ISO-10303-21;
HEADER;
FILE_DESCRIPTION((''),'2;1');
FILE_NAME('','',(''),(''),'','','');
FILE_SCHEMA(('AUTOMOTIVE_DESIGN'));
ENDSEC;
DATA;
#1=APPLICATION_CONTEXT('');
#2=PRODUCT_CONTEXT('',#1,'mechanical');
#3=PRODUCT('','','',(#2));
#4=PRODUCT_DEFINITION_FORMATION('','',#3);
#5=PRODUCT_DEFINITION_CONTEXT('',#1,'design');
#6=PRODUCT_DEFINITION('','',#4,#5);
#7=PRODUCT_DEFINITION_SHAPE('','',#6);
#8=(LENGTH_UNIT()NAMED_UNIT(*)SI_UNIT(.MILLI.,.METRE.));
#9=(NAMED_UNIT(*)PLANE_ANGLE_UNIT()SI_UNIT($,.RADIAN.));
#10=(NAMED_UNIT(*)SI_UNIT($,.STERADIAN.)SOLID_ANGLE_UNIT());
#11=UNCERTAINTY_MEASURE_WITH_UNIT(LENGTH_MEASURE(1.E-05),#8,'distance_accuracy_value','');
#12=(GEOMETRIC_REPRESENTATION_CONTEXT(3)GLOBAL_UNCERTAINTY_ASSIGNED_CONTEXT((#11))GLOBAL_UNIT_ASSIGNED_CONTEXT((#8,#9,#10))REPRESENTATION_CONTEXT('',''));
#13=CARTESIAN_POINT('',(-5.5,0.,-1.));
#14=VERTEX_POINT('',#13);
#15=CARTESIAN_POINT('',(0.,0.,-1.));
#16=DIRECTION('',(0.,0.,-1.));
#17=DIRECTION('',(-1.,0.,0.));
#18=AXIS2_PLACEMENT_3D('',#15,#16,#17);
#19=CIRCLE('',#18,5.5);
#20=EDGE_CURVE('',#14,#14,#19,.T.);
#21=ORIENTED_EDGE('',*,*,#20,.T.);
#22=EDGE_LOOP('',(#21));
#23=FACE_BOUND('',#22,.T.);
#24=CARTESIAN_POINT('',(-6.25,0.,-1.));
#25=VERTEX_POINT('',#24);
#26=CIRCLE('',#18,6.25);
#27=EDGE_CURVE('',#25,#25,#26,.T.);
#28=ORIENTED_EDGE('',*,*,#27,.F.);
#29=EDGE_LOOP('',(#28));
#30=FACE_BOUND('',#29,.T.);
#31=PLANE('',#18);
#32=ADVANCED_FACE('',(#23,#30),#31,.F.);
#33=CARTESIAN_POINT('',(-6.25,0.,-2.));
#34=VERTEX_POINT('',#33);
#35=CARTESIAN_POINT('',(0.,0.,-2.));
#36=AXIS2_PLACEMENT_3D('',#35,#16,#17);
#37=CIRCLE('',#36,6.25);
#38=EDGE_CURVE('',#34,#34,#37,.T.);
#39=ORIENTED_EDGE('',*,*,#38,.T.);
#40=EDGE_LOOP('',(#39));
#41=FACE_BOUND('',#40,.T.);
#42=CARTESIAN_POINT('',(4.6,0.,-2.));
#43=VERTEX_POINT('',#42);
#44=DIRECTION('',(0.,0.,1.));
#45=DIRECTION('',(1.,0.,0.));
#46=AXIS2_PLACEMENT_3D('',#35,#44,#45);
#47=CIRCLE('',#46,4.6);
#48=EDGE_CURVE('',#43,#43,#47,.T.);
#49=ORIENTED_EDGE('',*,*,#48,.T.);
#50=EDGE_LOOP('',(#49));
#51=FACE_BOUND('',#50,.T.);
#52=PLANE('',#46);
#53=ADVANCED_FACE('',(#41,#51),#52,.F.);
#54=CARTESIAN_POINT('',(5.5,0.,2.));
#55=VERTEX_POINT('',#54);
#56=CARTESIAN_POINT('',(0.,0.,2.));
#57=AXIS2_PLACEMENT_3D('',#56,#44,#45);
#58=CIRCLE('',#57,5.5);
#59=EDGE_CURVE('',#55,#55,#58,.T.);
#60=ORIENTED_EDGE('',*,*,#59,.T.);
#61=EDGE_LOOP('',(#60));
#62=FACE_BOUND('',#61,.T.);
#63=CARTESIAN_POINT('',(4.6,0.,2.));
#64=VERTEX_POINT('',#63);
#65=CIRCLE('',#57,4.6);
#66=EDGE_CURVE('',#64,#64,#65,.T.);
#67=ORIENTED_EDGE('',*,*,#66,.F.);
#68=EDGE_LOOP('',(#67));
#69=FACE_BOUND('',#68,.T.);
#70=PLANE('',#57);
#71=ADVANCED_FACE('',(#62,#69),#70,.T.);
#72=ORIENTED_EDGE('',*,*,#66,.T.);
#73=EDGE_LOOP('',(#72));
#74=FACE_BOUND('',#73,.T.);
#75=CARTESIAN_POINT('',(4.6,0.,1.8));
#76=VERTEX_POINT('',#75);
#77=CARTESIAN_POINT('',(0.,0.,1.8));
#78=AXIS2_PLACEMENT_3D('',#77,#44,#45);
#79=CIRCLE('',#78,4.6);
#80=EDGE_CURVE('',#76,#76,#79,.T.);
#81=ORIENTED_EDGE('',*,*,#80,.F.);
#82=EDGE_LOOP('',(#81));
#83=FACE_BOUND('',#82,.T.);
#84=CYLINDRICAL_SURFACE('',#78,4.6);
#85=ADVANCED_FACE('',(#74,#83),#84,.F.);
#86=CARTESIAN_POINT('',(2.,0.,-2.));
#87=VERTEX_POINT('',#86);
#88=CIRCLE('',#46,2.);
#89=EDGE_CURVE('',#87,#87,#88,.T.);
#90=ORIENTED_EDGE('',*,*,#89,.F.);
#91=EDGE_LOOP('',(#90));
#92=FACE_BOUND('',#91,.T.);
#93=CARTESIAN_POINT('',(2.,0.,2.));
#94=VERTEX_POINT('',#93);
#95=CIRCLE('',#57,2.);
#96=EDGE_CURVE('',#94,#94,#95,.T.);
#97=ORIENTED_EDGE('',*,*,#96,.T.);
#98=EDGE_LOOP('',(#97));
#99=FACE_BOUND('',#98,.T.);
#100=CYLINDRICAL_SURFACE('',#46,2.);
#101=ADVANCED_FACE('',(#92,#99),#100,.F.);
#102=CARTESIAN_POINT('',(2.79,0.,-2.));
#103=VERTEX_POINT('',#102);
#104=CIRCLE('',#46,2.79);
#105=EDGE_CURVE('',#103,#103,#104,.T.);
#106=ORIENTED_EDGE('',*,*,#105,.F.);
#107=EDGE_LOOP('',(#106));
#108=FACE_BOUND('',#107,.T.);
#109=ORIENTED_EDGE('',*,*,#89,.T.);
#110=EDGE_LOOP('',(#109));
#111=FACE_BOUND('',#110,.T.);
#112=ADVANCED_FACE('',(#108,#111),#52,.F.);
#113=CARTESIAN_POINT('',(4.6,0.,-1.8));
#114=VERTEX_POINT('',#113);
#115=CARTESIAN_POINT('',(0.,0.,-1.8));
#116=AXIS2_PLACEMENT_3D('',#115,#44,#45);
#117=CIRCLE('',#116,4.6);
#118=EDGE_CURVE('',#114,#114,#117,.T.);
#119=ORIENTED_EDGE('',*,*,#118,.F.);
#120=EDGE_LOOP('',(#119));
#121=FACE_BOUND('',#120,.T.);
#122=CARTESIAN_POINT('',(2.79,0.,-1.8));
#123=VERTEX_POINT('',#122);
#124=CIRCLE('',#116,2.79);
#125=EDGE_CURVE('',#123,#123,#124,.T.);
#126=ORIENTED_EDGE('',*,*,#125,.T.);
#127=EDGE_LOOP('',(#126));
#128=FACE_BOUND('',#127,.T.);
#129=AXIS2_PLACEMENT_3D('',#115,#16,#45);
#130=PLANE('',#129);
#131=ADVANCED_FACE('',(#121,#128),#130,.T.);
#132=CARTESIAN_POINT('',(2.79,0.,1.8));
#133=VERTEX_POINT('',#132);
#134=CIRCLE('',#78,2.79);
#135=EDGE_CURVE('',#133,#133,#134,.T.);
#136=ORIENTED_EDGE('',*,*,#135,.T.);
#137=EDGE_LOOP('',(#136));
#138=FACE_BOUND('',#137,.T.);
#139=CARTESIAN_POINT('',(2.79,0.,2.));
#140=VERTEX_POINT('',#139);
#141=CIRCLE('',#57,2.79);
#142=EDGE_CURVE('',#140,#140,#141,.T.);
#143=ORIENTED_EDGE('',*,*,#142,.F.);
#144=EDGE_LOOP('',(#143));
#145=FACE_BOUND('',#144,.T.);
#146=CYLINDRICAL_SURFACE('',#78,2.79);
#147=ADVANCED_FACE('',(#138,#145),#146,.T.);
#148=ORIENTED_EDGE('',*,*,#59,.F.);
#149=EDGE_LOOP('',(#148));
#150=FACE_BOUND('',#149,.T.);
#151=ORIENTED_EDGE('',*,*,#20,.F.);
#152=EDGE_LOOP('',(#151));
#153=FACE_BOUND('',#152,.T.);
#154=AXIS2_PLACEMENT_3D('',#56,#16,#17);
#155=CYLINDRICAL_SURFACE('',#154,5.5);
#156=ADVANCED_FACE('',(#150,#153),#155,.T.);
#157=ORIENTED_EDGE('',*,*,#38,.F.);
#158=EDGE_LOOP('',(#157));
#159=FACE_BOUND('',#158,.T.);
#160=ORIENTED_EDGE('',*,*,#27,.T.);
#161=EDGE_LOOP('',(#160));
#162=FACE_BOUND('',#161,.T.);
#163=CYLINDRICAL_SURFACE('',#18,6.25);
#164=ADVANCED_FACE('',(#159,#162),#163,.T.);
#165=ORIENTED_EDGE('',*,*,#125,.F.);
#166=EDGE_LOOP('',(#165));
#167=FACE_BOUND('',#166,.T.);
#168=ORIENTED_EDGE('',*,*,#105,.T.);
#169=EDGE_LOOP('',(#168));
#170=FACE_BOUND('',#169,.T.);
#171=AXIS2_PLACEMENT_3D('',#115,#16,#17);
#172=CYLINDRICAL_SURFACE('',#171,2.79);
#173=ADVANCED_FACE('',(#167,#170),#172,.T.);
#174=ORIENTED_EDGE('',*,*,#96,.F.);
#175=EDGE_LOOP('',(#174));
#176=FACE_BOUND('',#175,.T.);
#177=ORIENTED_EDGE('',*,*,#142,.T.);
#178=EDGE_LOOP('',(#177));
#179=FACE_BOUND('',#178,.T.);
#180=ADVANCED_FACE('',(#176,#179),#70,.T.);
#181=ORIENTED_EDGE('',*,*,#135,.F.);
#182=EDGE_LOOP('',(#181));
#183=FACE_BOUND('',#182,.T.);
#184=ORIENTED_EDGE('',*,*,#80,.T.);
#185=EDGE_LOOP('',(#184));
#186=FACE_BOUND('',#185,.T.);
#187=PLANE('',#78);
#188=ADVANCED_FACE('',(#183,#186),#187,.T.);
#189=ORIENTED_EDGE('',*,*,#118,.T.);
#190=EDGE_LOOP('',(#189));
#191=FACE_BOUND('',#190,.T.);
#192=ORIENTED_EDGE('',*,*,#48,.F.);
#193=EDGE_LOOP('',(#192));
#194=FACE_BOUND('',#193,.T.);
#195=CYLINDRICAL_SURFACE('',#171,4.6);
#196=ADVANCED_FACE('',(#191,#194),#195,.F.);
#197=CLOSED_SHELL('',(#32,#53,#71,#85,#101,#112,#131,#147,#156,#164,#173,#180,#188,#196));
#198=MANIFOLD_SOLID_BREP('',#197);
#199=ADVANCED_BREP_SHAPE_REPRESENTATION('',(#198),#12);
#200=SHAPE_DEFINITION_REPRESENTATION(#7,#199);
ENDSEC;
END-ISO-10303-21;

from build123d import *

# Parameters (mm, degrees)
SKETCH_1_R          = 5.5
EXTRUDE_1_DEPTH     = 2
SKETCH_4_R          = 6.25
EXTRUDE_2_DEPTH     = 1
SKETCH_2_R          = 2
CUT_EXTRUDE_1_DEPTH = 10.701803956
SKETCH_3_R          = 4.6
SKETCH_3_R_2        = 2.79
CUT_EXTRUDE_2_DEPTH = 0.2


with BuildPart() as part:
    # 草圖1 → 填料-伸長1 (new, symmetric)
    with BuildSketch(Plane.XY):
        Circle(SKETCH_1_R)
    extrude(amount=EXTRUDE_1_DEPTH, both=True)

    # 草圖4 → 填料-伸長2 (add)
    with BuildSketch(Plane(origin=(0, 0, -2), x_dir=(-1, 0, 0), z_dir=(0, 0, -1))):
        Circle(SKETCH_4_R)
    extrude(amount=-EXTRUDE_2_DEPTH)

    # 草圖2 → 除料-伸長1 (cut, through all)
    with BuildSketch(Plane.XY.offset(2)):
        Circle(SKETCH_2_R)
    extrude(amount=-CUT_EXTRUDE_1_DEPTH, mode=Mode.SUBTRACT)

    # 草圖3 → 除料-伸長2 (cut)
    with BuildSketch(Plane.XY.offset(2)):
        Circle(SKETCH_3_R)
        Circle(SKETCH_3_R_2, mode=Mode.SUBTRACT)
    cut_extrude_2 = extrude(amount=-CUT_EXTRUDE_2_DEPTH, mode=Mode.SUBTRACT)

    # 鏡射1: 除料-伸長2 across plane
    add(cut_extrude_2.mirror(Plane.XY), mode=Mode.SUBTRACT)


solid = part.part
